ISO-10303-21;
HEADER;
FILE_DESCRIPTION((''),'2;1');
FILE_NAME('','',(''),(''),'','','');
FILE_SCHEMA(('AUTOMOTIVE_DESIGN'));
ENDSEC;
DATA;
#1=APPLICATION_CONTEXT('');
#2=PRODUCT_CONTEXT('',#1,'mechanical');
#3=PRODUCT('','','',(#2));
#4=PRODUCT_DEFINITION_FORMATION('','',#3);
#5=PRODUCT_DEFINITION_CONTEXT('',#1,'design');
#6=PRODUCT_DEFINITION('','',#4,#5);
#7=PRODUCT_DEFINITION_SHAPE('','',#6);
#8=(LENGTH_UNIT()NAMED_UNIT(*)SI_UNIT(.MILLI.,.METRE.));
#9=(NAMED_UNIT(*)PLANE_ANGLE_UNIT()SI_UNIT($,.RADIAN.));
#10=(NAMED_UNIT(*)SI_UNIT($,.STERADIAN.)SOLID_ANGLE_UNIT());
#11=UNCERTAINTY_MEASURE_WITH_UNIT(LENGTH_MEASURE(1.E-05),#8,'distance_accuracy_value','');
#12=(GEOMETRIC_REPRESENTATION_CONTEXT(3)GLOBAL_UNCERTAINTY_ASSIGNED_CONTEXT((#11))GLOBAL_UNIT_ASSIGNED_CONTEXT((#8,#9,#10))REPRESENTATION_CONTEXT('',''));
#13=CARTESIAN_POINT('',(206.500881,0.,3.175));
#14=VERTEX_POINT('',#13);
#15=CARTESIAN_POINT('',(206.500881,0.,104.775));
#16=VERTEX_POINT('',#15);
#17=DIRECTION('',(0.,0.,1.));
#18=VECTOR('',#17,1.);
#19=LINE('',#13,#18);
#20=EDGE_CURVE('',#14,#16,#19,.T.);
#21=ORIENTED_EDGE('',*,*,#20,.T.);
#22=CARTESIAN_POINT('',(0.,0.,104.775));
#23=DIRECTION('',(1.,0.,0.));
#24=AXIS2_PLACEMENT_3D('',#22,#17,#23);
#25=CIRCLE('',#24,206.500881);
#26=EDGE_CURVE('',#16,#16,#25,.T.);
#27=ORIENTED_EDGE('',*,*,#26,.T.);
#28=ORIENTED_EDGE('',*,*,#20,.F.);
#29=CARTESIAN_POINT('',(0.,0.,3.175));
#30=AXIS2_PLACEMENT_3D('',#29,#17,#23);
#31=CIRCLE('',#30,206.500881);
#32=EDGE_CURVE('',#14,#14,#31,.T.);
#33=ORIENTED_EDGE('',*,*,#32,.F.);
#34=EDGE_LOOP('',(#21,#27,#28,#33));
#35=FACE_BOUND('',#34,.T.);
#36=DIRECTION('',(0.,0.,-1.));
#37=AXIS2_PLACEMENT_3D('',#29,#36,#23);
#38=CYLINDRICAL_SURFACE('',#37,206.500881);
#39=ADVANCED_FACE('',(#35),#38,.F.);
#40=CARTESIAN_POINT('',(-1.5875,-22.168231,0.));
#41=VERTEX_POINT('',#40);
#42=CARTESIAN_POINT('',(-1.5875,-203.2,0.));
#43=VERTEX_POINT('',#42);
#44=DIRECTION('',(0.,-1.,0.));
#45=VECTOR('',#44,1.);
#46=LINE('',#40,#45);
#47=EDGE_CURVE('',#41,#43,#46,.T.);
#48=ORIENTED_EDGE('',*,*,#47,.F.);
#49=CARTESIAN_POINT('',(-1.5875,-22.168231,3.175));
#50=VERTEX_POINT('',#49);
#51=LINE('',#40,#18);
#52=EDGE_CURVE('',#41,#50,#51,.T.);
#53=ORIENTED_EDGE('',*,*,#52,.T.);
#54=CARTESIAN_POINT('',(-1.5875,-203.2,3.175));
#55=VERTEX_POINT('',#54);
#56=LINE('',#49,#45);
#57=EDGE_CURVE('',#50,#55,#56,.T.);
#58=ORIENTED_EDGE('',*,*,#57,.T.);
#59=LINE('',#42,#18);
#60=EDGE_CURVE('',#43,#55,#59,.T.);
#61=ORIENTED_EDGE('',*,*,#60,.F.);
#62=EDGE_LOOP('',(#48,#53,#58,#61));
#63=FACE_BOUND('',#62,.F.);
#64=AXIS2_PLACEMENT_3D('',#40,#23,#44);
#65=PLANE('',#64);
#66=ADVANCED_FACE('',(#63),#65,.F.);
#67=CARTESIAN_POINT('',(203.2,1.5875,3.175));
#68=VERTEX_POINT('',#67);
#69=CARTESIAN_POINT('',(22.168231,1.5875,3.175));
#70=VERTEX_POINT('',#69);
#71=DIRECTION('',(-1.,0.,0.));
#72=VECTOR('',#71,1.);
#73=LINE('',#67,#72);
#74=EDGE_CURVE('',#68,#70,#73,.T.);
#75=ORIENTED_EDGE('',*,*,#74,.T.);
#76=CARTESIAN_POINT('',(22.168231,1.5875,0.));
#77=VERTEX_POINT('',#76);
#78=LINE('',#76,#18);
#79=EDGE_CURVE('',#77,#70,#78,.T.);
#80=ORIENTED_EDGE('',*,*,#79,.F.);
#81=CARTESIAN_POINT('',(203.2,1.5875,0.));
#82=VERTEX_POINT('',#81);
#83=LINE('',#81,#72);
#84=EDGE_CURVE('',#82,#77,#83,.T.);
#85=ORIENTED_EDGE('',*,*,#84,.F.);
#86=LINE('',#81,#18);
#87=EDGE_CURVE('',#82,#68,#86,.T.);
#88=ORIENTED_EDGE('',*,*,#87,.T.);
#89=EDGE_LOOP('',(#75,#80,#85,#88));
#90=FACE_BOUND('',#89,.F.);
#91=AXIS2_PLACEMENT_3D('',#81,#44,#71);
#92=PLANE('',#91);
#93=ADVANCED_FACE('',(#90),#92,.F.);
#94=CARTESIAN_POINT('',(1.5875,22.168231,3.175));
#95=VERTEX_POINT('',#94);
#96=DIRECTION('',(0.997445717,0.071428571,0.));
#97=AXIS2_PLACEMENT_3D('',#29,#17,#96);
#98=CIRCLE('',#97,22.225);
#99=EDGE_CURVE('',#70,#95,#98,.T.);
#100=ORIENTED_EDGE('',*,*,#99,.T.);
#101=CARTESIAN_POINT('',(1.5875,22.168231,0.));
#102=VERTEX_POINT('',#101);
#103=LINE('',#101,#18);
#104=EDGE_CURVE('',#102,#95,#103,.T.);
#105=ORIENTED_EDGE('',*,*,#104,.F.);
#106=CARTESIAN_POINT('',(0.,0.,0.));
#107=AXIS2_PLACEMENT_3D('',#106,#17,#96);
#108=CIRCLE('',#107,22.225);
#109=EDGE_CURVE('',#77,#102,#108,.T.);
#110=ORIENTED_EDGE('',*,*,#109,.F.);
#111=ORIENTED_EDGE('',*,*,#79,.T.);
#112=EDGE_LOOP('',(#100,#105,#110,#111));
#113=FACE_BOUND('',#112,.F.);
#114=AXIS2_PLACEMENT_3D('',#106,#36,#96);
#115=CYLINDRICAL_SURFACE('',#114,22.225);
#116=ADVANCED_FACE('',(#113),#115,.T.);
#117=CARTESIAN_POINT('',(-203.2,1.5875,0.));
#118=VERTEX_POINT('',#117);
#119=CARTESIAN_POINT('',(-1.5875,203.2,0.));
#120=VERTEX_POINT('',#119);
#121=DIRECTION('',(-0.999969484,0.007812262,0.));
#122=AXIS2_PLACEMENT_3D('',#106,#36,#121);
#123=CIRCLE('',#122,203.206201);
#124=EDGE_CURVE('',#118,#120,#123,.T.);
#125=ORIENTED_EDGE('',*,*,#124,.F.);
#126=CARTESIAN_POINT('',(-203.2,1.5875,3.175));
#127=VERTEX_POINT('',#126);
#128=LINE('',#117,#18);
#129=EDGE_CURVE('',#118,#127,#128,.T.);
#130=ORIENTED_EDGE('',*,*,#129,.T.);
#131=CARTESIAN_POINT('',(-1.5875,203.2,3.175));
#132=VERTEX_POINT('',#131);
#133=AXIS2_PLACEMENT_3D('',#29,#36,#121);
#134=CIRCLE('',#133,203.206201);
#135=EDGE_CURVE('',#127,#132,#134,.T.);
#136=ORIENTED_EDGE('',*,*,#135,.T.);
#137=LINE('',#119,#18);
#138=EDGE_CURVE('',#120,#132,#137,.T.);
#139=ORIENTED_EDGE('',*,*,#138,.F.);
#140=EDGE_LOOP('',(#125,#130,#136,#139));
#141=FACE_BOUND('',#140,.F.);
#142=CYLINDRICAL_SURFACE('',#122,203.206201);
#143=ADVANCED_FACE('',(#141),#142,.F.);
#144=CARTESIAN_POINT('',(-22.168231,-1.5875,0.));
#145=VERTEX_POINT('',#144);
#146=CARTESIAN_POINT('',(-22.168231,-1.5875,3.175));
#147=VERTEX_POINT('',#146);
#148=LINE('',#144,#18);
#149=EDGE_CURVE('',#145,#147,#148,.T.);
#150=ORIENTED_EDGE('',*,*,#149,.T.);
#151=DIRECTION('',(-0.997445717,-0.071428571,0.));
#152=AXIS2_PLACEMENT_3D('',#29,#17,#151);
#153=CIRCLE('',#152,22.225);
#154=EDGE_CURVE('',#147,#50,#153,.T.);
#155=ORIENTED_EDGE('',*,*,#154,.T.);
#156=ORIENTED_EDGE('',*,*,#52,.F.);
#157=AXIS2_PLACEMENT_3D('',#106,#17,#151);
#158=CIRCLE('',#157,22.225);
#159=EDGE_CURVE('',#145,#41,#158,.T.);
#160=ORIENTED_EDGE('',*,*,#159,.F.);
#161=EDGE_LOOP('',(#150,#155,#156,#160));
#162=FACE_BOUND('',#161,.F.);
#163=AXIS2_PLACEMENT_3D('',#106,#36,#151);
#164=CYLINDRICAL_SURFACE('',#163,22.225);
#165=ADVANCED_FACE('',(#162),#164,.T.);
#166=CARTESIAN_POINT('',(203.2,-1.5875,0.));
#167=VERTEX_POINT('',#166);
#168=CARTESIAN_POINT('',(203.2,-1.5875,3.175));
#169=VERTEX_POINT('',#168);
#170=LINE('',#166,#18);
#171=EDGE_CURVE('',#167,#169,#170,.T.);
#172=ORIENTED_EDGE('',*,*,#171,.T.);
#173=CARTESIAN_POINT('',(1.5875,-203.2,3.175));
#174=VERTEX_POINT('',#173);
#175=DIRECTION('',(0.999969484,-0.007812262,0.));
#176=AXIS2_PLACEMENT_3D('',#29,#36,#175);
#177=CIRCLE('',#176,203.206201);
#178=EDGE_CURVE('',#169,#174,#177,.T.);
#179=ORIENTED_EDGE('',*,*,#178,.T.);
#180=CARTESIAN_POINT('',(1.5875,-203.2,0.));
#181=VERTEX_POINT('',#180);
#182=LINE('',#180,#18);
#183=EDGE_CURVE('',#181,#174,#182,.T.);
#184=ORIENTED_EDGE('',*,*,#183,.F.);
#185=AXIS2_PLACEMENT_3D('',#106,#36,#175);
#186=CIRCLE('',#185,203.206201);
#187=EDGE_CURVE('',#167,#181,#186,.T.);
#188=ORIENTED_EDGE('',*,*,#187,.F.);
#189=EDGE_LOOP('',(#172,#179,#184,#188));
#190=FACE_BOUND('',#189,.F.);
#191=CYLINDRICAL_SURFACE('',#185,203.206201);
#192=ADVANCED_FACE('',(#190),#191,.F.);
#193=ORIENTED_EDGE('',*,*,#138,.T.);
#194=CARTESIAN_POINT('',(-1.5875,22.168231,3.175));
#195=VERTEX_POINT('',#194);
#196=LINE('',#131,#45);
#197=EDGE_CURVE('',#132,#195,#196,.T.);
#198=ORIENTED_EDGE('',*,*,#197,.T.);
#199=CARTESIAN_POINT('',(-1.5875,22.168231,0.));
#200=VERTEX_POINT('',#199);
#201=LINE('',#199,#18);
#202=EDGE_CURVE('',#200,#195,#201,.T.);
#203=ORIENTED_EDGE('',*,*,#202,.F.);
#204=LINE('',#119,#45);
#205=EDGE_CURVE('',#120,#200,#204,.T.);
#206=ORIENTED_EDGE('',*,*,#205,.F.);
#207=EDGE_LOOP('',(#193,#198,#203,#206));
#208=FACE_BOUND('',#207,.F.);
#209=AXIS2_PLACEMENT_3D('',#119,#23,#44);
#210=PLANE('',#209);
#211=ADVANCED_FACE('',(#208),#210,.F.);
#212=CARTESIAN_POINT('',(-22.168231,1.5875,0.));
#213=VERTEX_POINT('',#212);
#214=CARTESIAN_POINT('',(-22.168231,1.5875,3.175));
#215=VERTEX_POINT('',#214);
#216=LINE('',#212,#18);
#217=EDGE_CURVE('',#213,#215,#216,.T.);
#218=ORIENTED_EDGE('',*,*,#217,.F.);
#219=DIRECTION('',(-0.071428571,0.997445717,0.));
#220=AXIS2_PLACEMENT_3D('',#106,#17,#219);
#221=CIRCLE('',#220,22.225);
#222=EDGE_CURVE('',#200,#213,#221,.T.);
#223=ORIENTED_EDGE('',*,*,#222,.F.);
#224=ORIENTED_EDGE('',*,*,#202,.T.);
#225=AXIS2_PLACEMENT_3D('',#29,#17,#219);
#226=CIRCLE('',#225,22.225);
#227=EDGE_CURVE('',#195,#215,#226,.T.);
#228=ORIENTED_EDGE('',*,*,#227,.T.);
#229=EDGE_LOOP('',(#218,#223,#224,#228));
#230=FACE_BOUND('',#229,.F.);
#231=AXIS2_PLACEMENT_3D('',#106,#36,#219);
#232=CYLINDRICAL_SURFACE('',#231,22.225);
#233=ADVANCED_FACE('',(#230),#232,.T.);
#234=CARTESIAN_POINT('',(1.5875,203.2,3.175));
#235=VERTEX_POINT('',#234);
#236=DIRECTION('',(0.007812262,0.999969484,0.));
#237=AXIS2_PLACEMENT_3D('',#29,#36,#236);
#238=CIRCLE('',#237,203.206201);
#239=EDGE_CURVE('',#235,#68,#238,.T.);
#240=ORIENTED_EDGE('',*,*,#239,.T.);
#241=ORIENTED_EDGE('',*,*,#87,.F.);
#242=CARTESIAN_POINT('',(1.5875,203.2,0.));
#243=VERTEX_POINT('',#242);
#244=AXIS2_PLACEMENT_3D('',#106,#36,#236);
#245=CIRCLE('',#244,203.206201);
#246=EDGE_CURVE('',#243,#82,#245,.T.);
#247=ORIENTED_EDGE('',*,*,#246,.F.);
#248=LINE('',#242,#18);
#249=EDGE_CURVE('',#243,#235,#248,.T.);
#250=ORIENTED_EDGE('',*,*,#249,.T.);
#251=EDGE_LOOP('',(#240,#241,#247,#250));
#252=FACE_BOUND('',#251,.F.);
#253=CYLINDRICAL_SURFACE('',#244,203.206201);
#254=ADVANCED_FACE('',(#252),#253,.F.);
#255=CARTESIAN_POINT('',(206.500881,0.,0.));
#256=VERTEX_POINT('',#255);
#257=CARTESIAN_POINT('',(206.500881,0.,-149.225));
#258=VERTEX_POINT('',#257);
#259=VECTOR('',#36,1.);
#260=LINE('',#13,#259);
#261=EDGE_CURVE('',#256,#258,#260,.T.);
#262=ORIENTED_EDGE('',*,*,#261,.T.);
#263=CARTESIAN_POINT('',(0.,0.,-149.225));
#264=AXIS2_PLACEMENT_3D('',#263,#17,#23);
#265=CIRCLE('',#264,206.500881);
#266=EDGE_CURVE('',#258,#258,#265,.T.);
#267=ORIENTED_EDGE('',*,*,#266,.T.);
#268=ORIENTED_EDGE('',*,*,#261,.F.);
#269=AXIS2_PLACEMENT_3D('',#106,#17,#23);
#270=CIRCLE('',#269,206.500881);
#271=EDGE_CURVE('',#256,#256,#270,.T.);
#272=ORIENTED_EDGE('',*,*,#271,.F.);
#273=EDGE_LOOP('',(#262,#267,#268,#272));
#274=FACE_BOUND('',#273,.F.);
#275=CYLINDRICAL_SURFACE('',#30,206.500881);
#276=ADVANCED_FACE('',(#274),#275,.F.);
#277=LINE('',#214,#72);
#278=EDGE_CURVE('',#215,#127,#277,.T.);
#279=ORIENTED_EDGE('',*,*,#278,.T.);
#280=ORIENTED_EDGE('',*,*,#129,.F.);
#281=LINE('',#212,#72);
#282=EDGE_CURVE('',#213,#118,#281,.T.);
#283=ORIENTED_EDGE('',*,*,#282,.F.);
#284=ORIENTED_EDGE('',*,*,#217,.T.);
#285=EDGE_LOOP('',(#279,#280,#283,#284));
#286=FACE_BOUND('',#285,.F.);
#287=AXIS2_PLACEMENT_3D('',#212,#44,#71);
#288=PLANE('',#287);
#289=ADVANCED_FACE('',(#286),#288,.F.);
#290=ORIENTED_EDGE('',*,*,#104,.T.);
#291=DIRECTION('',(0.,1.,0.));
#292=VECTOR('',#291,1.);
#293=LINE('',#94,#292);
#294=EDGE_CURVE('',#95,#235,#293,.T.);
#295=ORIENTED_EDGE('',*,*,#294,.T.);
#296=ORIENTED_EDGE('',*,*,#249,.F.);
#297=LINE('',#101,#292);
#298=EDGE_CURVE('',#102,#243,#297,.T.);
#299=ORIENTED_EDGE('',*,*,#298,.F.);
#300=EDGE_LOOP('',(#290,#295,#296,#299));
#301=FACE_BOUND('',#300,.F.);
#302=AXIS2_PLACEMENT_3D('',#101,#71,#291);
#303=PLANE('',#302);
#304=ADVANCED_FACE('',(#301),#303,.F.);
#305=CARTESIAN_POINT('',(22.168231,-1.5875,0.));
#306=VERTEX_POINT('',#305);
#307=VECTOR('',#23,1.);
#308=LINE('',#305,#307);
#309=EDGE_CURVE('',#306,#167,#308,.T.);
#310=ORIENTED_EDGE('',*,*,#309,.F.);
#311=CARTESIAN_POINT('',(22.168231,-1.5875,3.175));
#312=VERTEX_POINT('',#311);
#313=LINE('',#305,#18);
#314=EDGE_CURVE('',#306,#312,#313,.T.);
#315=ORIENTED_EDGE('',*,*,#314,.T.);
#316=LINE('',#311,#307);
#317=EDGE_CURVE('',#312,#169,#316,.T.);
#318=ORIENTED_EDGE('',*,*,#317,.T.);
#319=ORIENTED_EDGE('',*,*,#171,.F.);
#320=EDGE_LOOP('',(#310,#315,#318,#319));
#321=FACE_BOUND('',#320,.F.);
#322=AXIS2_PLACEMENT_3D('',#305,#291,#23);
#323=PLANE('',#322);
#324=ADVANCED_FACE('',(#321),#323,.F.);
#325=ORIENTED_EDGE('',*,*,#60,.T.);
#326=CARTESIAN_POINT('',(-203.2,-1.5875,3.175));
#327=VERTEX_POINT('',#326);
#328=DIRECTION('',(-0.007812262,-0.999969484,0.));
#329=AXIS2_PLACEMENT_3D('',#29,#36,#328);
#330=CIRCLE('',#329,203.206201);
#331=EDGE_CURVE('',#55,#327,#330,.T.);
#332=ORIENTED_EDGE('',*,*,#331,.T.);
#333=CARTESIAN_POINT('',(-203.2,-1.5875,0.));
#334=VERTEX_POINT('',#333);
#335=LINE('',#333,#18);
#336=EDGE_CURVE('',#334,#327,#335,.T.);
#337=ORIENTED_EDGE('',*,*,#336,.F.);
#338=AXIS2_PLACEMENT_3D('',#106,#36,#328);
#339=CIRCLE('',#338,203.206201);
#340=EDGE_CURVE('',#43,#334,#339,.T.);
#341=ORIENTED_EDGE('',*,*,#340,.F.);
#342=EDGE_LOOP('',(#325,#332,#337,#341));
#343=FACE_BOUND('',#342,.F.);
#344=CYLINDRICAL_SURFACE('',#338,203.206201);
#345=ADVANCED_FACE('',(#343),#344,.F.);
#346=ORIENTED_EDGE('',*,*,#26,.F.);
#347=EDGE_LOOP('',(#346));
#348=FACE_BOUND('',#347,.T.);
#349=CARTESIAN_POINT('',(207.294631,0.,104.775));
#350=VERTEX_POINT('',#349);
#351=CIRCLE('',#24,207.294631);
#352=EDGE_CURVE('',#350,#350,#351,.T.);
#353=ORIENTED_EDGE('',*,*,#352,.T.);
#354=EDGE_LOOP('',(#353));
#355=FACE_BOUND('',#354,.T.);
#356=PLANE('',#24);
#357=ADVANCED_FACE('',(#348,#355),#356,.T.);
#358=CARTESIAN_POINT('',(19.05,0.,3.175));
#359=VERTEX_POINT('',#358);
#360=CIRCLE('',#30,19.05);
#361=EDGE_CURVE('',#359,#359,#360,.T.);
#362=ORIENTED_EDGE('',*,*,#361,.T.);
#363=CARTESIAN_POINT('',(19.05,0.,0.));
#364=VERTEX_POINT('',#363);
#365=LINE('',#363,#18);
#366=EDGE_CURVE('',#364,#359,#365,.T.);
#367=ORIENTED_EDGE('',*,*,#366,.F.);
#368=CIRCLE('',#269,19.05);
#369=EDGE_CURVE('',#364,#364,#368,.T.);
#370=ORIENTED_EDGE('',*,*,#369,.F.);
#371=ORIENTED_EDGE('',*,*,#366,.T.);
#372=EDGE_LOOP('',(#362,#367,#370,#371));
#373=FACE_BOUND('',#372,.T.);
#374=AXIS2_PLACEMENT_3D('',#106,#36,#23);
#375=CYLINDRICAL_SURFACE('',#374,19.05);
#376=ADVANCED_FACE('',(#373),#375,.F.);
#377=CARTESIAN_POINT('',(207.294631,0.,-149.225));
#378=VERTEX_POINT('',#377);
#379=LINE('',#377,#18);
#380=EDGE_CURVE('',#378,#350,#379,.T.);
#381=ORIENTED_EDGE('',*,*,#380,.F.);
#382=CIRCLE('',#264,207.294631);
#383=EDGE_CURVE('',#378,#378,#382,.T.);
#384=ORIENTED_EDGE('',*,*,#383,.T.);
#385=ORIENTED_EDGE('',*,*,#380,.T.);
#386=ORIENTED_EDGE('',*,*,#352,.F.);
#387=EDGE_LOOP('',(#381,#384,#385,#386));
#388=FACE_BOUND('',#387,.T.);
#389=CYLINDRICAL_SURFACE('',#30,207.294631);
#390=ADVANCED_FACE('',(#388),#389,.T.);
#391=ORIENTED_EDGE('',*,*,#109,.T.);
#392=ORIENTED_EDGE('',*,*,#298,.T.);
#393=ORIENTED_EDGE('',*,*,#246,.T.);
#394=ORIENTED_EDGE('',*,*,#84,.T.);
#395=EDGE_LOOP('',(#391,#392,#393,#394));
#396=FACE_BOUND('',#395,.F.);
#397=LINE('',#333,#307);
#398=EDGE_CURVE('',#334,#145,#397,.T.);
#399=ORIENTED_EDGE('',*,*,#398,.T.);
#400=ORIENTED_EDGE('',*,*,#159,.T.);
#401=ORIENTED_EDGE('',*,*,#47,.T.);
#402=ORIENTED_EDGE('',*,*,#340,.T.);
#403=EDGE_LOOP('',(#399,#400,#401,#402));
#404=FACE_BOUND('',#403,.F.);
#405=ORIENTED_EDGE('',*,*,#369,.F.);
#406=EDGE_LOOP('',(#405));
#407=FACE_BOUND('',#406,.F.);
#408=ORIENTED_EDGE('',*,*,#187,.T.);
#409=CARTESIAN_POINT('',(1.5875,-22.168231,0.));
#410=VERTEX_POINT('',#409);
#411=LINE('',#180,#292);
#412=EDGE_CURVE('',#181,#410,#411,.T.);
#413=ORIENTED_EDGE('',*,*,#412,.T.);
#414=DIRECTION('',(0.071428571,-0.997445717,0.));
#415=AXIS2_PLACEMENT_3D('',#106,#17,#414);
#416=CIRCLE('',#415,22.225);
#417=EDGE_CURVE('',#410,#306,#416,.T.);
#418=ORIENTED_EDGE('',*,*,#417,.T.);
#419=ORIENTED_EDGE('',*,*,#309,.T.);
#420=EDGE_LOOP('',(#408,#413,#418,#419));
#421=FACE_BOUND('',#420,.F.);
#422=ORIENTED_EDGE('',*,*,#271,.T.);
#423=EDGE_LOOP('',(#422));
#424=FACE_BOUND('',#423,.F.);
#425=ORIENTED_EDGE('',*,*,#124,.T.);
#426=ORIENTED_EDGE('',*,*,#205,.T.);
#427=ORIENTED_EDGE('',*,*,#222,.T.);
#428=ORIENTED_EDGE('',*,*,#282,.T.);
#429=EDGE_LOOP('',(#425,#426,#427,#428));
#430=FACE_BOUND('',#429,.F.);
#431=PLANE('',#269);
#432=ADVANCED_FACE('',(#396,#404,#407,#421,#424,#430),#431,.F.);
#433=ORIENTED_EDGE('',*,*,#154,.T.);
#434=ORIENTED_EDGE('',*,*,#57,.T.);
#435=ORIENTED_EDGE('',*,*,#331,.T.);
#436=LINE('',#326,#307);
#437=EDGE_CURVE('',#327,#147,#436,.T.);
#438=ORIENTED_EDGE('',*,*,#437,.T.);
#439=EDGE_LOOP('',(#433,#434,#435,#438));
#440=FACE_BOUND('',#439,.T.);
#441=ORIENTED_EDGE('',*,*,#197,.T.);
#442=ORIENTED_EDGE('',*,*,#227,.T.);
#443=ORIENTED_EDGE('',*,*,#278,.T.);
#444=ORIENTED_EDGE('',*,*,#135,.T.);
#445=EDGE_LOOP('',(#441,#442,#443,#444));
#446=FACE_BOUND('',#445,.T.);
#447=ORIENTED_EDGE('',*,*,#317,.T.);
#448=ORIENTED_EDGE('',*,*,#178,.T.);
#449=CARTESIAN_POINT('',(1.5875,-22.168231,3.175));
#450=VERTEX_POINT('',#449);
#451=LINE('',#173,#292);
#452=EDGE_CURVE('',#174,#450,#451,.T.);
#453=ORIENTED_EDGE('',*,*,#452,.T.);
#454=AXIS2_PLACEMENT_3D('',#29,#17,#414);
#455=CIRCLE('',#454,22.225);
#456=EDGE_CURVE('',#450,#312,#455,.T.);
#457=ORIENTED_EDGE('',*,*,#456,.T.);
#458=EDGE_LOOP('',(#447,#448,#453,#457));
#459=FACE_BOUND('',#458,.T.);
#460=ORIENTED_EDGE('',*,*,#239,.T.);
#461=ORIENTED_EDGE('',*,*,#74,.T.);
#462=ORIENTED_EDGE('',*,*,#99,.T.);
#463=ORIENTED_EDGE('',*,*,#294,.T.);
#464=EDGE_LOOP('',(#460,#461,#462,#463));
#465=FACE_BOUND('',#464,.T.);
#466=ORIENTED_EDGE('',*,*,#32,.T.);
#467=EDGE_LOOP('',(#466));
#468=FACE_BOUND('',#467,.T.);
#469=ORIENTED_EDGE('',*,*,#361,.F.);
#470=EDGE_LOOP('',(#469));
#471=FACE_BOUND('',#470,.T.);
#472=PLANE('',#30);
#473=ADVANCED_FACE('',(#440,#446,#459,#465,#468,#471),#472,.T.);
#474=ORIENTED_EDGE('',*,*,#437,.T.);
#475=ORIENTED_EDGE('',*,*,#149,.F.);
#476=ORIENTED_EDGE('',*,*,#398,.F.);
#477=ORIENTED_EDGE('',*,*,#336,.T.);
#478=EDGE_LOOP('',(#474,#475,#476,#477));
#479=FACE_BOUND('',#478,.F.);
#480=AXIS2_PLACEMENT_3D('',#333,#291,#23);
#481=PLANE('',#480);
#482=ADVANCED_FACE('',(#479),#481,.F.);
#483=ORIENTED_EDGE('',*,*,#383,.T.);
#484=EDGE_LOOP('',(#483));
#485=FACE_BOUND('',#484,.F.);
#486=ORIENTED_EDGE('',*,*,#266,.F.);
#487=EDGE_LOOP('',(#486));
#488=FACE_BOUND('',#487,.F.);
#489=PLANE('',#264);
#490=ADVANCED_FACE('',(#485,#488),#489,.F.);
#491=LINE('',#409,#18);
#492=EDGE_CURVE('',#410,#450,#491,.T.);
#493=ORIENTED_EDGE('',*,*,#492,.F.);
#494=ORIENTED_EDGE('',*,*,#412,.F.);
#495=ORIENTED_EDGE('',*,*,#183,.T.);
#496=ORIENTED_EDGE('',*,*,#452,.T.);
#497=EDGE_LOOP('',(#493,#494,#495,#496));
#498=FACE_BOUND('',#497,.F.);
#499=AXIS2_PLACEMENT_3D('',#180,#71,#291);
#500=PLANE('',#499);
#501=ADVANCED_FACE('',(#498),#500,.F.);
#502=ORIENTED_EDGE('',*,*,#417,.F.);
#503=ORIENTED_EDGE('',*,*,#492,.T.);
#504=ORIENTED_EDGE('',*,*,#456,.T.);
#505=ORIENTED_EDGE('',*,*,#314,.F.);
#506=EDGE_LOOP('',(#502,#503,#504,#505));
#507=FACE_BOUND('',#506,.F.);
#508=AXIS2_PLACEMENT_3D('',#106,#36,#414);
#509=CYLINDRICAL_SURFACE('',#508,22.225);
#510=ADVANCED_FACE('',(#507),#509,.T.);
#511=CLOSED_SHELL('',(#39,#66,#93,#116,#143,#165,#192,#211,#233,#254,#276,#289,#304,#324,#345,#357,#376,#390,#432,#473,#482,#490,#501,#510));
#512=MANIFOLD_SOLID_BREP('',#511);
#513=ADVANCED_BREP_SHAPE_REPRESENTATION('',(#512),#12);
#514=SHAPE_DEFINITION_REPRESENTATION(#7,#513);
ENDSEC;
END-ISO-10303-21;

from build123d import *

# Parameters (mm, degrees)
F0_R          = 206.500881119
F0_R_2        = 19.05
F1_DEPTH      = 3.175
F2_R          = 207.294631119
F2_R_2        = 206.500881119
F3_DEPTH      = 101.6
F3_DEPTH_BACK = 152.4


with BuildPart() as f1:
    # F0 (on Top) → F1 (new body)
    with BuildSketch(Plane.XY):
        Circle(F0_R)
        with BuildLine():
            Line((-203.2, -1.5875), (-22.1682310695, -1.5875))
            ThreePointArc((-22.1682310695, -1.5875), (-15.7154482119, -15.7154482119), (-1.5875, -22.1682310695))
            Line((-1.5875, -22.1682310695), (-1.5875, -203.2))
            ThreePointArc((-1.5875, -203.2), (-143.6884827609, -143.6884827609), (-203.2, -1.5875))
        make_face(mode=Mode.SUBTRACT)
        with BuildLine():
            Line((22.1682310695, -1.5875), (203.2, -1.5875))
            ThreePointArc((203.2, -1.5875), (143.6884827609, -143.6884827609), (1.5875, -203.2))
            Line((1.5875, -203.2), (1.5875, -22.1682310695))
            ThreePointArc((1.5875, -22.1682310695), (15.7154482119, -15.7154482119), (22.1682310695, -1.5875))
        make_face(mode=Mode.SUBTRACT)
        with BuildLine():
            ThreePointArc((-203.2, 1.5875), (-143.6884827609, 143.6884827609), (-1.5875, 203.2))
            Line((-1.5875, 203.2), (-1.5875, 22.1682310695))
            ThreePointArc((-1.5875, 22.1682310695), (-15.7154482119, 15.7154482119), (-22.1682310695, 1.5875))
            Line((-22.1682310695, 1.5875), (-203.2, 1.5875))
        make_face(mode=Mode.SUBTRACT)
        Circle(F0_R_2, mode=Mode.SUBTRACT)
        with BuildLine():
            Line((203.2, 1.5875), (22.1682310695, 1.5875))
            ThreePointArc((22.1682310695, 1.5875), (15.7154482119, 15.7154482119), (1.5875, 22.1682310695))
            Line((1.5875, 22.1682310695), (1.5875, 203.2))
            ThreePointArc((1.5875, 203.2), (143.6884827609, 143.6884827609), (203.2, 1.5875))
        make_face(mode=Mode.SUBTRACT)
    extrude(amount=F1_DEPTH)

    # F2 (on face) → F3 (join, two sides)
    with BuildSketch(Plane.XY.offset(3.175)) as f3_sk:
        Circle(F2_R)
        Circle(F2_R_2, mode=Mode.SUBTRACT)
    extrude(amount=F3_DEPTH)
    extrude(f3_sk.sketch, amount=-F3_DEPTH_BACK)


solid = f1.part
